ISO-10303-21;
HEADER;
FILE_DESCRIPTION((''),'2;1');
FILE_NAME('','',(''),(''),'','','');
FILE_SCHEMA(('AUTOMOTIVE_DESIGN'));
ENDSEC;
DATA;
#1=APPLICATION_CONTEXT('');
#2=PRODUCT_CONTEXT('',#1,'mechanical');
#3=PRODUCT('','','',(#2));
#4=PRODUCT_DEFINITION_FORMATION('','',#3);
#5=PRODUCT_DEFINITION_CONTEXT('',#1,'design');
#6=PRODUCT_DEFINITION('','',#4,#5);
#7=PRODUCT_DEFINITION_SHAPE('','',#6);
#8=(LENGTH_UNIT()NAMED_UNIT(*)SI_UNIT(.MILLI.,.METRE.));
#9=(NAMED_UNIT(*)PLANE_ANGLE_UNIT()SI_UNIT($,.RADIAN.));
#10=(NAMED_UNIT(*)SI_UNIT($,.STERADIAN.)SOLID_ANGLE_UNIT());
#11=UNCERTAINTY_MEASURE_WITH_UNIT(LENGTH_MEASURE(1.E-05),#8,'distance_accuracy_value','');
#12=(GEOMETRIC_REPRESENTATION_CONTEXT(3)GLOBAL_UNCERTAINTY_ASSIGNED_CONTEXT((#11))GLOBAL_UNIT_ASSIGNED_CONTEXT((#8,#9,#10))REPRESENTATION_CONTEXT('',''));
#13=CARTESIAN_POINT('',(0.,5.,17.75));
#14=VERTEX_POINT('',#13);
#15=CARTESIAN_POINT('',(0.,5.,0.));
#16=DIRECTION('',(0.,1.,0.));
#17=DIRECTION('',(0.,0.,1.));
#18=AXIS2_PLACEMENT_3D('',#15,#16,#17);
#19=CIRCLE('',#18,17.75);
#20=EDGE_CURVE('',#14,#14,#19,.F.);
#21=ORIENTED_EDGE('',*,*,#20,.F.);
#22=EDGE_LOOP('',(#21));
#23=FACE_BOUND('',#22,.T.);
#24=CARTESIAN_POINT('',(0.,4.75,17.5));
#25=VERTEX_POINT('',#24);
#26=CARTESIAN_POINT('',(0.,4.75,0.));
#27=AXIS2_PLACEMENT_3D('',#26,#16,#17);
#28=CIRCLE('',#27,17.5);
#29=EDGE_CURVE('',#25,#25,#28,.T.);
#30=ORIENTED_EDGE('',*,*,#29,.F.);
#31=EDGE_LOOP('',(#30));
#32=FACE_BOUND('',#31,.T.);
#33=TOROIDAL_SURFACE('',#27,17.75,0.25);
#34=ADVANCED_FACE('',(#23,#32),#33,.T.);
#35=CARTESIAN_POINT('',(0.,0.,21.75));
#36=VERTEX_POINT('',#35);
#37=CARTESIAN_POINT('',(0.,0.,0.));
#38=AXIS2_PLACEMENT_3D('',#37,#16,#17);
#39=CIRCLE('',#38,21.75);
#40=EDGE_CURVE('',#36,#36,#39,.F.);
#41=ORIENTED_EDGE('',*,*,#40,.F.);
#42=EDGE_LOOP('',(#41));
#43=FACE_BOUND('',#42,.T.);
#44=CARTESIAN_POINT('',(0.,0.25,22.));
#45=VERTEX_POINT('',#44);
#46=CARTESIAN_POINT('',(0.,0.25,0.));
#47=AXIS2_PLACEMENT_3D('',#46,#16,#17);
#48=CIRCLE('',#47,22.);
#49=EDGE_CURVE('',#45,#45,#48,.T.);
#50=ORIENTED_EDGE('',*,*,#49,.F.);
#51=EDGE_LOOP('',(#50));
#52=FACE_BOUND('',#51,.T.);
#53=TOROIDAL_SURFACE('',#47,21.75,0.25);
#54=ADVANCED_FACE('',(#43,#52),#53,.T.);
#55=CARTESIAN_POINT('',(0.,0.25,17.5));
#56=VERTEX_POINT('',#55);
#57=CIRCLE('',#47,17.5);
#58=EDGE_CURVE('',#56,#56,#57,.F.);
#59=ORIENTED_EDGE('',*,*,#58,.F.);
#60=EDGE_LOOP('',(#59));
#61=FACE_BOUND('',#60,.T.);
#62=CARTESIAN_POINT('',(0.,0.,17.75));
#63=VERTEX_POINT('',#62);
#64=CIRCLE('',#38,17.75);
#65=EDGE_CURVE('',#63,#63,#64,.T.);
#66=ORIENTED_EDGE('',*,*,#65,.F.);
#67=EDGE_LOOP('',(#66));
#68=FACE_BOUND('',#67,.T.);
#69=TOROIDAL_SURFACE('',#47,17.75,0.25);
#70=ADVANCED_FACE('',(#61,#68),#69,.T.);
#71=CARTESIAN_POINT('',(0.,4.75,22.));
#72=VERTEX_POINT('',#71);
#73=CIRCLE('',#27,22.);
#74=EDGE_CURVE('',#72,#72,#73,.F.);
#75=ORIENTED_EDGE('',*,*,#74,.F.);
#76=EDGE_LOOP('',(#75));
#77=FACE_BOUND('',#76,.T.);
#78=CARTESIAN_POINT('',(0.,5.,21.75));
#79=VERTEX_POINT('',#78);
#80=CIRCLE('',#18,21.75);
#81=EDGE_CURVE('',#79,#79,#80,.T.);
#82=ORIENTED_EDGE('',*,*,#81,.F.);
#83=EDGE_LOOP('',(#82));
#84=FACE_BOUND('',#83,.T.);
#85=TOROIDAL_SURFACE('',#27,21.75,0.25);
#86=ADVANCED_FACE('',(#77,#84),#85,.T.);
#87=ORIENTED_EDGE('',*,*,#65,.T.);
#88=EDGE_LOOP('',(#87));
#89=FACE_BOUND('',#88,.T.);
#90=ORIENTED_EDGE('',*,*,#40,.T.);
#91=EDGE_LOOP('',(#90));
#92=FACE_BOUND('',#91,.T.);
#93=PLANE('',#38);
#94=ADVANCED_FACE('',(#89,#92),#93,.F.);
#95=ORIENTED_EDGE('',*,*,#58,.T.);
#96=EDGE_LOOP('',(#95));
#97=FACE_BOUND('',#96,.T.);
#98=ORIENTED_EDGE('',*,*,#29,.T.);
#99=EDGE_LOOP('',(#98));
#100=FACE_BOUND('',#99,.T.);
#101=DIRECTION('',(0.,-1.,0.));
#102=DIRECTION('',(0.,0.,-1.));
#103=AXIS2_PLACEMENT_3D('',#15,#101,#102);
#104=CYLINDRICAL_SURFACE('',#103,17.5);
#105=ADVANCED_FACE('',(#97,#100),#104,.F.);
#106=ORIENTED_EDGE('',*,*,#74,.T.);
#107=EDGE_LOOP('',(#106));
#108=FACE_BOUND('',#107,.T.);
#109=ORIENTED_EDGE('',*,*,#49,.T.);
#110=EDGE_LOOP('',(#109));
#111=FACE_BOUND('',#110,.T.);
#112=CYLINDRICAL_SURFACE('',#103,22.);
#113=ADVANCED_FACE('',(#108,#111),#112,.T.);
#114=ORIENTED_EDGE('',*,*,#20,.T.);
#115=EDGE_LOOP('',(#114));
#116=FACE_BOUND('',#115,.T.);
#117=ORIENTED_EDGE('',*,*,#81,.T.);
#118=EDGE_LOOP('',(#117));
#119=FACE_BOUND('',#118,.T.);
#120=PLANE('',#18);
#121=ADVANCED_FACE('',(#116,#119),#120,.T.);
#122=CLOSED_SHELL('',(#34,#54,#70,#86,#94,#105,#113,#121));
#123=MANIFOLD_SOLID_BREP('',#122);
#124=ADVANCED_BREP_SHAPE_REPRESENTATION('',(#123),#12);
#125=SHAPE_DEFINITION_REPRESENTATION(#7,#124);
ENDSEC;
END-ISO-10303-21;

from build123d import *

# Parameters (mm, degrees)
SKETCH_1_R      = 22
SKETCH_1_R_2    = 17.5
EXTRUDE_1_DEPTH = 5
FILLET_1_R      = 0.25


with BuildPart() as part:
    # 草图1 → 凸台-拉伸1 (new body)
    with BuildSketch(Plane(origin=(0, 0, 0), x_dir=(1, 0, 0), z_dir=(0, 1, 0))):
        with Locations(Location((0, 0, 0), (0, 0, 270))):
            Circle(SKETCH_1_R)
        with Locations(Location((0, 0, 0), (0, 0, 270))):
            Circle(SKETCH_1_R_2, mode=Mode.SUBTRACT)
    extrude(amount=EXTRUDE_1_DEPTH)

    # 圆角1
    fillet_1_edges = [part.edges().sort_by_distance(p)[0] for p in [
        (0, 0, -22),
        (0, 5, -22),
        (0, 0, -17.5),
        (0, 5, -17.5),
    ]]
    fillet(fillet_1_edges, radius=FILLET_1_R)


solid = part.part
